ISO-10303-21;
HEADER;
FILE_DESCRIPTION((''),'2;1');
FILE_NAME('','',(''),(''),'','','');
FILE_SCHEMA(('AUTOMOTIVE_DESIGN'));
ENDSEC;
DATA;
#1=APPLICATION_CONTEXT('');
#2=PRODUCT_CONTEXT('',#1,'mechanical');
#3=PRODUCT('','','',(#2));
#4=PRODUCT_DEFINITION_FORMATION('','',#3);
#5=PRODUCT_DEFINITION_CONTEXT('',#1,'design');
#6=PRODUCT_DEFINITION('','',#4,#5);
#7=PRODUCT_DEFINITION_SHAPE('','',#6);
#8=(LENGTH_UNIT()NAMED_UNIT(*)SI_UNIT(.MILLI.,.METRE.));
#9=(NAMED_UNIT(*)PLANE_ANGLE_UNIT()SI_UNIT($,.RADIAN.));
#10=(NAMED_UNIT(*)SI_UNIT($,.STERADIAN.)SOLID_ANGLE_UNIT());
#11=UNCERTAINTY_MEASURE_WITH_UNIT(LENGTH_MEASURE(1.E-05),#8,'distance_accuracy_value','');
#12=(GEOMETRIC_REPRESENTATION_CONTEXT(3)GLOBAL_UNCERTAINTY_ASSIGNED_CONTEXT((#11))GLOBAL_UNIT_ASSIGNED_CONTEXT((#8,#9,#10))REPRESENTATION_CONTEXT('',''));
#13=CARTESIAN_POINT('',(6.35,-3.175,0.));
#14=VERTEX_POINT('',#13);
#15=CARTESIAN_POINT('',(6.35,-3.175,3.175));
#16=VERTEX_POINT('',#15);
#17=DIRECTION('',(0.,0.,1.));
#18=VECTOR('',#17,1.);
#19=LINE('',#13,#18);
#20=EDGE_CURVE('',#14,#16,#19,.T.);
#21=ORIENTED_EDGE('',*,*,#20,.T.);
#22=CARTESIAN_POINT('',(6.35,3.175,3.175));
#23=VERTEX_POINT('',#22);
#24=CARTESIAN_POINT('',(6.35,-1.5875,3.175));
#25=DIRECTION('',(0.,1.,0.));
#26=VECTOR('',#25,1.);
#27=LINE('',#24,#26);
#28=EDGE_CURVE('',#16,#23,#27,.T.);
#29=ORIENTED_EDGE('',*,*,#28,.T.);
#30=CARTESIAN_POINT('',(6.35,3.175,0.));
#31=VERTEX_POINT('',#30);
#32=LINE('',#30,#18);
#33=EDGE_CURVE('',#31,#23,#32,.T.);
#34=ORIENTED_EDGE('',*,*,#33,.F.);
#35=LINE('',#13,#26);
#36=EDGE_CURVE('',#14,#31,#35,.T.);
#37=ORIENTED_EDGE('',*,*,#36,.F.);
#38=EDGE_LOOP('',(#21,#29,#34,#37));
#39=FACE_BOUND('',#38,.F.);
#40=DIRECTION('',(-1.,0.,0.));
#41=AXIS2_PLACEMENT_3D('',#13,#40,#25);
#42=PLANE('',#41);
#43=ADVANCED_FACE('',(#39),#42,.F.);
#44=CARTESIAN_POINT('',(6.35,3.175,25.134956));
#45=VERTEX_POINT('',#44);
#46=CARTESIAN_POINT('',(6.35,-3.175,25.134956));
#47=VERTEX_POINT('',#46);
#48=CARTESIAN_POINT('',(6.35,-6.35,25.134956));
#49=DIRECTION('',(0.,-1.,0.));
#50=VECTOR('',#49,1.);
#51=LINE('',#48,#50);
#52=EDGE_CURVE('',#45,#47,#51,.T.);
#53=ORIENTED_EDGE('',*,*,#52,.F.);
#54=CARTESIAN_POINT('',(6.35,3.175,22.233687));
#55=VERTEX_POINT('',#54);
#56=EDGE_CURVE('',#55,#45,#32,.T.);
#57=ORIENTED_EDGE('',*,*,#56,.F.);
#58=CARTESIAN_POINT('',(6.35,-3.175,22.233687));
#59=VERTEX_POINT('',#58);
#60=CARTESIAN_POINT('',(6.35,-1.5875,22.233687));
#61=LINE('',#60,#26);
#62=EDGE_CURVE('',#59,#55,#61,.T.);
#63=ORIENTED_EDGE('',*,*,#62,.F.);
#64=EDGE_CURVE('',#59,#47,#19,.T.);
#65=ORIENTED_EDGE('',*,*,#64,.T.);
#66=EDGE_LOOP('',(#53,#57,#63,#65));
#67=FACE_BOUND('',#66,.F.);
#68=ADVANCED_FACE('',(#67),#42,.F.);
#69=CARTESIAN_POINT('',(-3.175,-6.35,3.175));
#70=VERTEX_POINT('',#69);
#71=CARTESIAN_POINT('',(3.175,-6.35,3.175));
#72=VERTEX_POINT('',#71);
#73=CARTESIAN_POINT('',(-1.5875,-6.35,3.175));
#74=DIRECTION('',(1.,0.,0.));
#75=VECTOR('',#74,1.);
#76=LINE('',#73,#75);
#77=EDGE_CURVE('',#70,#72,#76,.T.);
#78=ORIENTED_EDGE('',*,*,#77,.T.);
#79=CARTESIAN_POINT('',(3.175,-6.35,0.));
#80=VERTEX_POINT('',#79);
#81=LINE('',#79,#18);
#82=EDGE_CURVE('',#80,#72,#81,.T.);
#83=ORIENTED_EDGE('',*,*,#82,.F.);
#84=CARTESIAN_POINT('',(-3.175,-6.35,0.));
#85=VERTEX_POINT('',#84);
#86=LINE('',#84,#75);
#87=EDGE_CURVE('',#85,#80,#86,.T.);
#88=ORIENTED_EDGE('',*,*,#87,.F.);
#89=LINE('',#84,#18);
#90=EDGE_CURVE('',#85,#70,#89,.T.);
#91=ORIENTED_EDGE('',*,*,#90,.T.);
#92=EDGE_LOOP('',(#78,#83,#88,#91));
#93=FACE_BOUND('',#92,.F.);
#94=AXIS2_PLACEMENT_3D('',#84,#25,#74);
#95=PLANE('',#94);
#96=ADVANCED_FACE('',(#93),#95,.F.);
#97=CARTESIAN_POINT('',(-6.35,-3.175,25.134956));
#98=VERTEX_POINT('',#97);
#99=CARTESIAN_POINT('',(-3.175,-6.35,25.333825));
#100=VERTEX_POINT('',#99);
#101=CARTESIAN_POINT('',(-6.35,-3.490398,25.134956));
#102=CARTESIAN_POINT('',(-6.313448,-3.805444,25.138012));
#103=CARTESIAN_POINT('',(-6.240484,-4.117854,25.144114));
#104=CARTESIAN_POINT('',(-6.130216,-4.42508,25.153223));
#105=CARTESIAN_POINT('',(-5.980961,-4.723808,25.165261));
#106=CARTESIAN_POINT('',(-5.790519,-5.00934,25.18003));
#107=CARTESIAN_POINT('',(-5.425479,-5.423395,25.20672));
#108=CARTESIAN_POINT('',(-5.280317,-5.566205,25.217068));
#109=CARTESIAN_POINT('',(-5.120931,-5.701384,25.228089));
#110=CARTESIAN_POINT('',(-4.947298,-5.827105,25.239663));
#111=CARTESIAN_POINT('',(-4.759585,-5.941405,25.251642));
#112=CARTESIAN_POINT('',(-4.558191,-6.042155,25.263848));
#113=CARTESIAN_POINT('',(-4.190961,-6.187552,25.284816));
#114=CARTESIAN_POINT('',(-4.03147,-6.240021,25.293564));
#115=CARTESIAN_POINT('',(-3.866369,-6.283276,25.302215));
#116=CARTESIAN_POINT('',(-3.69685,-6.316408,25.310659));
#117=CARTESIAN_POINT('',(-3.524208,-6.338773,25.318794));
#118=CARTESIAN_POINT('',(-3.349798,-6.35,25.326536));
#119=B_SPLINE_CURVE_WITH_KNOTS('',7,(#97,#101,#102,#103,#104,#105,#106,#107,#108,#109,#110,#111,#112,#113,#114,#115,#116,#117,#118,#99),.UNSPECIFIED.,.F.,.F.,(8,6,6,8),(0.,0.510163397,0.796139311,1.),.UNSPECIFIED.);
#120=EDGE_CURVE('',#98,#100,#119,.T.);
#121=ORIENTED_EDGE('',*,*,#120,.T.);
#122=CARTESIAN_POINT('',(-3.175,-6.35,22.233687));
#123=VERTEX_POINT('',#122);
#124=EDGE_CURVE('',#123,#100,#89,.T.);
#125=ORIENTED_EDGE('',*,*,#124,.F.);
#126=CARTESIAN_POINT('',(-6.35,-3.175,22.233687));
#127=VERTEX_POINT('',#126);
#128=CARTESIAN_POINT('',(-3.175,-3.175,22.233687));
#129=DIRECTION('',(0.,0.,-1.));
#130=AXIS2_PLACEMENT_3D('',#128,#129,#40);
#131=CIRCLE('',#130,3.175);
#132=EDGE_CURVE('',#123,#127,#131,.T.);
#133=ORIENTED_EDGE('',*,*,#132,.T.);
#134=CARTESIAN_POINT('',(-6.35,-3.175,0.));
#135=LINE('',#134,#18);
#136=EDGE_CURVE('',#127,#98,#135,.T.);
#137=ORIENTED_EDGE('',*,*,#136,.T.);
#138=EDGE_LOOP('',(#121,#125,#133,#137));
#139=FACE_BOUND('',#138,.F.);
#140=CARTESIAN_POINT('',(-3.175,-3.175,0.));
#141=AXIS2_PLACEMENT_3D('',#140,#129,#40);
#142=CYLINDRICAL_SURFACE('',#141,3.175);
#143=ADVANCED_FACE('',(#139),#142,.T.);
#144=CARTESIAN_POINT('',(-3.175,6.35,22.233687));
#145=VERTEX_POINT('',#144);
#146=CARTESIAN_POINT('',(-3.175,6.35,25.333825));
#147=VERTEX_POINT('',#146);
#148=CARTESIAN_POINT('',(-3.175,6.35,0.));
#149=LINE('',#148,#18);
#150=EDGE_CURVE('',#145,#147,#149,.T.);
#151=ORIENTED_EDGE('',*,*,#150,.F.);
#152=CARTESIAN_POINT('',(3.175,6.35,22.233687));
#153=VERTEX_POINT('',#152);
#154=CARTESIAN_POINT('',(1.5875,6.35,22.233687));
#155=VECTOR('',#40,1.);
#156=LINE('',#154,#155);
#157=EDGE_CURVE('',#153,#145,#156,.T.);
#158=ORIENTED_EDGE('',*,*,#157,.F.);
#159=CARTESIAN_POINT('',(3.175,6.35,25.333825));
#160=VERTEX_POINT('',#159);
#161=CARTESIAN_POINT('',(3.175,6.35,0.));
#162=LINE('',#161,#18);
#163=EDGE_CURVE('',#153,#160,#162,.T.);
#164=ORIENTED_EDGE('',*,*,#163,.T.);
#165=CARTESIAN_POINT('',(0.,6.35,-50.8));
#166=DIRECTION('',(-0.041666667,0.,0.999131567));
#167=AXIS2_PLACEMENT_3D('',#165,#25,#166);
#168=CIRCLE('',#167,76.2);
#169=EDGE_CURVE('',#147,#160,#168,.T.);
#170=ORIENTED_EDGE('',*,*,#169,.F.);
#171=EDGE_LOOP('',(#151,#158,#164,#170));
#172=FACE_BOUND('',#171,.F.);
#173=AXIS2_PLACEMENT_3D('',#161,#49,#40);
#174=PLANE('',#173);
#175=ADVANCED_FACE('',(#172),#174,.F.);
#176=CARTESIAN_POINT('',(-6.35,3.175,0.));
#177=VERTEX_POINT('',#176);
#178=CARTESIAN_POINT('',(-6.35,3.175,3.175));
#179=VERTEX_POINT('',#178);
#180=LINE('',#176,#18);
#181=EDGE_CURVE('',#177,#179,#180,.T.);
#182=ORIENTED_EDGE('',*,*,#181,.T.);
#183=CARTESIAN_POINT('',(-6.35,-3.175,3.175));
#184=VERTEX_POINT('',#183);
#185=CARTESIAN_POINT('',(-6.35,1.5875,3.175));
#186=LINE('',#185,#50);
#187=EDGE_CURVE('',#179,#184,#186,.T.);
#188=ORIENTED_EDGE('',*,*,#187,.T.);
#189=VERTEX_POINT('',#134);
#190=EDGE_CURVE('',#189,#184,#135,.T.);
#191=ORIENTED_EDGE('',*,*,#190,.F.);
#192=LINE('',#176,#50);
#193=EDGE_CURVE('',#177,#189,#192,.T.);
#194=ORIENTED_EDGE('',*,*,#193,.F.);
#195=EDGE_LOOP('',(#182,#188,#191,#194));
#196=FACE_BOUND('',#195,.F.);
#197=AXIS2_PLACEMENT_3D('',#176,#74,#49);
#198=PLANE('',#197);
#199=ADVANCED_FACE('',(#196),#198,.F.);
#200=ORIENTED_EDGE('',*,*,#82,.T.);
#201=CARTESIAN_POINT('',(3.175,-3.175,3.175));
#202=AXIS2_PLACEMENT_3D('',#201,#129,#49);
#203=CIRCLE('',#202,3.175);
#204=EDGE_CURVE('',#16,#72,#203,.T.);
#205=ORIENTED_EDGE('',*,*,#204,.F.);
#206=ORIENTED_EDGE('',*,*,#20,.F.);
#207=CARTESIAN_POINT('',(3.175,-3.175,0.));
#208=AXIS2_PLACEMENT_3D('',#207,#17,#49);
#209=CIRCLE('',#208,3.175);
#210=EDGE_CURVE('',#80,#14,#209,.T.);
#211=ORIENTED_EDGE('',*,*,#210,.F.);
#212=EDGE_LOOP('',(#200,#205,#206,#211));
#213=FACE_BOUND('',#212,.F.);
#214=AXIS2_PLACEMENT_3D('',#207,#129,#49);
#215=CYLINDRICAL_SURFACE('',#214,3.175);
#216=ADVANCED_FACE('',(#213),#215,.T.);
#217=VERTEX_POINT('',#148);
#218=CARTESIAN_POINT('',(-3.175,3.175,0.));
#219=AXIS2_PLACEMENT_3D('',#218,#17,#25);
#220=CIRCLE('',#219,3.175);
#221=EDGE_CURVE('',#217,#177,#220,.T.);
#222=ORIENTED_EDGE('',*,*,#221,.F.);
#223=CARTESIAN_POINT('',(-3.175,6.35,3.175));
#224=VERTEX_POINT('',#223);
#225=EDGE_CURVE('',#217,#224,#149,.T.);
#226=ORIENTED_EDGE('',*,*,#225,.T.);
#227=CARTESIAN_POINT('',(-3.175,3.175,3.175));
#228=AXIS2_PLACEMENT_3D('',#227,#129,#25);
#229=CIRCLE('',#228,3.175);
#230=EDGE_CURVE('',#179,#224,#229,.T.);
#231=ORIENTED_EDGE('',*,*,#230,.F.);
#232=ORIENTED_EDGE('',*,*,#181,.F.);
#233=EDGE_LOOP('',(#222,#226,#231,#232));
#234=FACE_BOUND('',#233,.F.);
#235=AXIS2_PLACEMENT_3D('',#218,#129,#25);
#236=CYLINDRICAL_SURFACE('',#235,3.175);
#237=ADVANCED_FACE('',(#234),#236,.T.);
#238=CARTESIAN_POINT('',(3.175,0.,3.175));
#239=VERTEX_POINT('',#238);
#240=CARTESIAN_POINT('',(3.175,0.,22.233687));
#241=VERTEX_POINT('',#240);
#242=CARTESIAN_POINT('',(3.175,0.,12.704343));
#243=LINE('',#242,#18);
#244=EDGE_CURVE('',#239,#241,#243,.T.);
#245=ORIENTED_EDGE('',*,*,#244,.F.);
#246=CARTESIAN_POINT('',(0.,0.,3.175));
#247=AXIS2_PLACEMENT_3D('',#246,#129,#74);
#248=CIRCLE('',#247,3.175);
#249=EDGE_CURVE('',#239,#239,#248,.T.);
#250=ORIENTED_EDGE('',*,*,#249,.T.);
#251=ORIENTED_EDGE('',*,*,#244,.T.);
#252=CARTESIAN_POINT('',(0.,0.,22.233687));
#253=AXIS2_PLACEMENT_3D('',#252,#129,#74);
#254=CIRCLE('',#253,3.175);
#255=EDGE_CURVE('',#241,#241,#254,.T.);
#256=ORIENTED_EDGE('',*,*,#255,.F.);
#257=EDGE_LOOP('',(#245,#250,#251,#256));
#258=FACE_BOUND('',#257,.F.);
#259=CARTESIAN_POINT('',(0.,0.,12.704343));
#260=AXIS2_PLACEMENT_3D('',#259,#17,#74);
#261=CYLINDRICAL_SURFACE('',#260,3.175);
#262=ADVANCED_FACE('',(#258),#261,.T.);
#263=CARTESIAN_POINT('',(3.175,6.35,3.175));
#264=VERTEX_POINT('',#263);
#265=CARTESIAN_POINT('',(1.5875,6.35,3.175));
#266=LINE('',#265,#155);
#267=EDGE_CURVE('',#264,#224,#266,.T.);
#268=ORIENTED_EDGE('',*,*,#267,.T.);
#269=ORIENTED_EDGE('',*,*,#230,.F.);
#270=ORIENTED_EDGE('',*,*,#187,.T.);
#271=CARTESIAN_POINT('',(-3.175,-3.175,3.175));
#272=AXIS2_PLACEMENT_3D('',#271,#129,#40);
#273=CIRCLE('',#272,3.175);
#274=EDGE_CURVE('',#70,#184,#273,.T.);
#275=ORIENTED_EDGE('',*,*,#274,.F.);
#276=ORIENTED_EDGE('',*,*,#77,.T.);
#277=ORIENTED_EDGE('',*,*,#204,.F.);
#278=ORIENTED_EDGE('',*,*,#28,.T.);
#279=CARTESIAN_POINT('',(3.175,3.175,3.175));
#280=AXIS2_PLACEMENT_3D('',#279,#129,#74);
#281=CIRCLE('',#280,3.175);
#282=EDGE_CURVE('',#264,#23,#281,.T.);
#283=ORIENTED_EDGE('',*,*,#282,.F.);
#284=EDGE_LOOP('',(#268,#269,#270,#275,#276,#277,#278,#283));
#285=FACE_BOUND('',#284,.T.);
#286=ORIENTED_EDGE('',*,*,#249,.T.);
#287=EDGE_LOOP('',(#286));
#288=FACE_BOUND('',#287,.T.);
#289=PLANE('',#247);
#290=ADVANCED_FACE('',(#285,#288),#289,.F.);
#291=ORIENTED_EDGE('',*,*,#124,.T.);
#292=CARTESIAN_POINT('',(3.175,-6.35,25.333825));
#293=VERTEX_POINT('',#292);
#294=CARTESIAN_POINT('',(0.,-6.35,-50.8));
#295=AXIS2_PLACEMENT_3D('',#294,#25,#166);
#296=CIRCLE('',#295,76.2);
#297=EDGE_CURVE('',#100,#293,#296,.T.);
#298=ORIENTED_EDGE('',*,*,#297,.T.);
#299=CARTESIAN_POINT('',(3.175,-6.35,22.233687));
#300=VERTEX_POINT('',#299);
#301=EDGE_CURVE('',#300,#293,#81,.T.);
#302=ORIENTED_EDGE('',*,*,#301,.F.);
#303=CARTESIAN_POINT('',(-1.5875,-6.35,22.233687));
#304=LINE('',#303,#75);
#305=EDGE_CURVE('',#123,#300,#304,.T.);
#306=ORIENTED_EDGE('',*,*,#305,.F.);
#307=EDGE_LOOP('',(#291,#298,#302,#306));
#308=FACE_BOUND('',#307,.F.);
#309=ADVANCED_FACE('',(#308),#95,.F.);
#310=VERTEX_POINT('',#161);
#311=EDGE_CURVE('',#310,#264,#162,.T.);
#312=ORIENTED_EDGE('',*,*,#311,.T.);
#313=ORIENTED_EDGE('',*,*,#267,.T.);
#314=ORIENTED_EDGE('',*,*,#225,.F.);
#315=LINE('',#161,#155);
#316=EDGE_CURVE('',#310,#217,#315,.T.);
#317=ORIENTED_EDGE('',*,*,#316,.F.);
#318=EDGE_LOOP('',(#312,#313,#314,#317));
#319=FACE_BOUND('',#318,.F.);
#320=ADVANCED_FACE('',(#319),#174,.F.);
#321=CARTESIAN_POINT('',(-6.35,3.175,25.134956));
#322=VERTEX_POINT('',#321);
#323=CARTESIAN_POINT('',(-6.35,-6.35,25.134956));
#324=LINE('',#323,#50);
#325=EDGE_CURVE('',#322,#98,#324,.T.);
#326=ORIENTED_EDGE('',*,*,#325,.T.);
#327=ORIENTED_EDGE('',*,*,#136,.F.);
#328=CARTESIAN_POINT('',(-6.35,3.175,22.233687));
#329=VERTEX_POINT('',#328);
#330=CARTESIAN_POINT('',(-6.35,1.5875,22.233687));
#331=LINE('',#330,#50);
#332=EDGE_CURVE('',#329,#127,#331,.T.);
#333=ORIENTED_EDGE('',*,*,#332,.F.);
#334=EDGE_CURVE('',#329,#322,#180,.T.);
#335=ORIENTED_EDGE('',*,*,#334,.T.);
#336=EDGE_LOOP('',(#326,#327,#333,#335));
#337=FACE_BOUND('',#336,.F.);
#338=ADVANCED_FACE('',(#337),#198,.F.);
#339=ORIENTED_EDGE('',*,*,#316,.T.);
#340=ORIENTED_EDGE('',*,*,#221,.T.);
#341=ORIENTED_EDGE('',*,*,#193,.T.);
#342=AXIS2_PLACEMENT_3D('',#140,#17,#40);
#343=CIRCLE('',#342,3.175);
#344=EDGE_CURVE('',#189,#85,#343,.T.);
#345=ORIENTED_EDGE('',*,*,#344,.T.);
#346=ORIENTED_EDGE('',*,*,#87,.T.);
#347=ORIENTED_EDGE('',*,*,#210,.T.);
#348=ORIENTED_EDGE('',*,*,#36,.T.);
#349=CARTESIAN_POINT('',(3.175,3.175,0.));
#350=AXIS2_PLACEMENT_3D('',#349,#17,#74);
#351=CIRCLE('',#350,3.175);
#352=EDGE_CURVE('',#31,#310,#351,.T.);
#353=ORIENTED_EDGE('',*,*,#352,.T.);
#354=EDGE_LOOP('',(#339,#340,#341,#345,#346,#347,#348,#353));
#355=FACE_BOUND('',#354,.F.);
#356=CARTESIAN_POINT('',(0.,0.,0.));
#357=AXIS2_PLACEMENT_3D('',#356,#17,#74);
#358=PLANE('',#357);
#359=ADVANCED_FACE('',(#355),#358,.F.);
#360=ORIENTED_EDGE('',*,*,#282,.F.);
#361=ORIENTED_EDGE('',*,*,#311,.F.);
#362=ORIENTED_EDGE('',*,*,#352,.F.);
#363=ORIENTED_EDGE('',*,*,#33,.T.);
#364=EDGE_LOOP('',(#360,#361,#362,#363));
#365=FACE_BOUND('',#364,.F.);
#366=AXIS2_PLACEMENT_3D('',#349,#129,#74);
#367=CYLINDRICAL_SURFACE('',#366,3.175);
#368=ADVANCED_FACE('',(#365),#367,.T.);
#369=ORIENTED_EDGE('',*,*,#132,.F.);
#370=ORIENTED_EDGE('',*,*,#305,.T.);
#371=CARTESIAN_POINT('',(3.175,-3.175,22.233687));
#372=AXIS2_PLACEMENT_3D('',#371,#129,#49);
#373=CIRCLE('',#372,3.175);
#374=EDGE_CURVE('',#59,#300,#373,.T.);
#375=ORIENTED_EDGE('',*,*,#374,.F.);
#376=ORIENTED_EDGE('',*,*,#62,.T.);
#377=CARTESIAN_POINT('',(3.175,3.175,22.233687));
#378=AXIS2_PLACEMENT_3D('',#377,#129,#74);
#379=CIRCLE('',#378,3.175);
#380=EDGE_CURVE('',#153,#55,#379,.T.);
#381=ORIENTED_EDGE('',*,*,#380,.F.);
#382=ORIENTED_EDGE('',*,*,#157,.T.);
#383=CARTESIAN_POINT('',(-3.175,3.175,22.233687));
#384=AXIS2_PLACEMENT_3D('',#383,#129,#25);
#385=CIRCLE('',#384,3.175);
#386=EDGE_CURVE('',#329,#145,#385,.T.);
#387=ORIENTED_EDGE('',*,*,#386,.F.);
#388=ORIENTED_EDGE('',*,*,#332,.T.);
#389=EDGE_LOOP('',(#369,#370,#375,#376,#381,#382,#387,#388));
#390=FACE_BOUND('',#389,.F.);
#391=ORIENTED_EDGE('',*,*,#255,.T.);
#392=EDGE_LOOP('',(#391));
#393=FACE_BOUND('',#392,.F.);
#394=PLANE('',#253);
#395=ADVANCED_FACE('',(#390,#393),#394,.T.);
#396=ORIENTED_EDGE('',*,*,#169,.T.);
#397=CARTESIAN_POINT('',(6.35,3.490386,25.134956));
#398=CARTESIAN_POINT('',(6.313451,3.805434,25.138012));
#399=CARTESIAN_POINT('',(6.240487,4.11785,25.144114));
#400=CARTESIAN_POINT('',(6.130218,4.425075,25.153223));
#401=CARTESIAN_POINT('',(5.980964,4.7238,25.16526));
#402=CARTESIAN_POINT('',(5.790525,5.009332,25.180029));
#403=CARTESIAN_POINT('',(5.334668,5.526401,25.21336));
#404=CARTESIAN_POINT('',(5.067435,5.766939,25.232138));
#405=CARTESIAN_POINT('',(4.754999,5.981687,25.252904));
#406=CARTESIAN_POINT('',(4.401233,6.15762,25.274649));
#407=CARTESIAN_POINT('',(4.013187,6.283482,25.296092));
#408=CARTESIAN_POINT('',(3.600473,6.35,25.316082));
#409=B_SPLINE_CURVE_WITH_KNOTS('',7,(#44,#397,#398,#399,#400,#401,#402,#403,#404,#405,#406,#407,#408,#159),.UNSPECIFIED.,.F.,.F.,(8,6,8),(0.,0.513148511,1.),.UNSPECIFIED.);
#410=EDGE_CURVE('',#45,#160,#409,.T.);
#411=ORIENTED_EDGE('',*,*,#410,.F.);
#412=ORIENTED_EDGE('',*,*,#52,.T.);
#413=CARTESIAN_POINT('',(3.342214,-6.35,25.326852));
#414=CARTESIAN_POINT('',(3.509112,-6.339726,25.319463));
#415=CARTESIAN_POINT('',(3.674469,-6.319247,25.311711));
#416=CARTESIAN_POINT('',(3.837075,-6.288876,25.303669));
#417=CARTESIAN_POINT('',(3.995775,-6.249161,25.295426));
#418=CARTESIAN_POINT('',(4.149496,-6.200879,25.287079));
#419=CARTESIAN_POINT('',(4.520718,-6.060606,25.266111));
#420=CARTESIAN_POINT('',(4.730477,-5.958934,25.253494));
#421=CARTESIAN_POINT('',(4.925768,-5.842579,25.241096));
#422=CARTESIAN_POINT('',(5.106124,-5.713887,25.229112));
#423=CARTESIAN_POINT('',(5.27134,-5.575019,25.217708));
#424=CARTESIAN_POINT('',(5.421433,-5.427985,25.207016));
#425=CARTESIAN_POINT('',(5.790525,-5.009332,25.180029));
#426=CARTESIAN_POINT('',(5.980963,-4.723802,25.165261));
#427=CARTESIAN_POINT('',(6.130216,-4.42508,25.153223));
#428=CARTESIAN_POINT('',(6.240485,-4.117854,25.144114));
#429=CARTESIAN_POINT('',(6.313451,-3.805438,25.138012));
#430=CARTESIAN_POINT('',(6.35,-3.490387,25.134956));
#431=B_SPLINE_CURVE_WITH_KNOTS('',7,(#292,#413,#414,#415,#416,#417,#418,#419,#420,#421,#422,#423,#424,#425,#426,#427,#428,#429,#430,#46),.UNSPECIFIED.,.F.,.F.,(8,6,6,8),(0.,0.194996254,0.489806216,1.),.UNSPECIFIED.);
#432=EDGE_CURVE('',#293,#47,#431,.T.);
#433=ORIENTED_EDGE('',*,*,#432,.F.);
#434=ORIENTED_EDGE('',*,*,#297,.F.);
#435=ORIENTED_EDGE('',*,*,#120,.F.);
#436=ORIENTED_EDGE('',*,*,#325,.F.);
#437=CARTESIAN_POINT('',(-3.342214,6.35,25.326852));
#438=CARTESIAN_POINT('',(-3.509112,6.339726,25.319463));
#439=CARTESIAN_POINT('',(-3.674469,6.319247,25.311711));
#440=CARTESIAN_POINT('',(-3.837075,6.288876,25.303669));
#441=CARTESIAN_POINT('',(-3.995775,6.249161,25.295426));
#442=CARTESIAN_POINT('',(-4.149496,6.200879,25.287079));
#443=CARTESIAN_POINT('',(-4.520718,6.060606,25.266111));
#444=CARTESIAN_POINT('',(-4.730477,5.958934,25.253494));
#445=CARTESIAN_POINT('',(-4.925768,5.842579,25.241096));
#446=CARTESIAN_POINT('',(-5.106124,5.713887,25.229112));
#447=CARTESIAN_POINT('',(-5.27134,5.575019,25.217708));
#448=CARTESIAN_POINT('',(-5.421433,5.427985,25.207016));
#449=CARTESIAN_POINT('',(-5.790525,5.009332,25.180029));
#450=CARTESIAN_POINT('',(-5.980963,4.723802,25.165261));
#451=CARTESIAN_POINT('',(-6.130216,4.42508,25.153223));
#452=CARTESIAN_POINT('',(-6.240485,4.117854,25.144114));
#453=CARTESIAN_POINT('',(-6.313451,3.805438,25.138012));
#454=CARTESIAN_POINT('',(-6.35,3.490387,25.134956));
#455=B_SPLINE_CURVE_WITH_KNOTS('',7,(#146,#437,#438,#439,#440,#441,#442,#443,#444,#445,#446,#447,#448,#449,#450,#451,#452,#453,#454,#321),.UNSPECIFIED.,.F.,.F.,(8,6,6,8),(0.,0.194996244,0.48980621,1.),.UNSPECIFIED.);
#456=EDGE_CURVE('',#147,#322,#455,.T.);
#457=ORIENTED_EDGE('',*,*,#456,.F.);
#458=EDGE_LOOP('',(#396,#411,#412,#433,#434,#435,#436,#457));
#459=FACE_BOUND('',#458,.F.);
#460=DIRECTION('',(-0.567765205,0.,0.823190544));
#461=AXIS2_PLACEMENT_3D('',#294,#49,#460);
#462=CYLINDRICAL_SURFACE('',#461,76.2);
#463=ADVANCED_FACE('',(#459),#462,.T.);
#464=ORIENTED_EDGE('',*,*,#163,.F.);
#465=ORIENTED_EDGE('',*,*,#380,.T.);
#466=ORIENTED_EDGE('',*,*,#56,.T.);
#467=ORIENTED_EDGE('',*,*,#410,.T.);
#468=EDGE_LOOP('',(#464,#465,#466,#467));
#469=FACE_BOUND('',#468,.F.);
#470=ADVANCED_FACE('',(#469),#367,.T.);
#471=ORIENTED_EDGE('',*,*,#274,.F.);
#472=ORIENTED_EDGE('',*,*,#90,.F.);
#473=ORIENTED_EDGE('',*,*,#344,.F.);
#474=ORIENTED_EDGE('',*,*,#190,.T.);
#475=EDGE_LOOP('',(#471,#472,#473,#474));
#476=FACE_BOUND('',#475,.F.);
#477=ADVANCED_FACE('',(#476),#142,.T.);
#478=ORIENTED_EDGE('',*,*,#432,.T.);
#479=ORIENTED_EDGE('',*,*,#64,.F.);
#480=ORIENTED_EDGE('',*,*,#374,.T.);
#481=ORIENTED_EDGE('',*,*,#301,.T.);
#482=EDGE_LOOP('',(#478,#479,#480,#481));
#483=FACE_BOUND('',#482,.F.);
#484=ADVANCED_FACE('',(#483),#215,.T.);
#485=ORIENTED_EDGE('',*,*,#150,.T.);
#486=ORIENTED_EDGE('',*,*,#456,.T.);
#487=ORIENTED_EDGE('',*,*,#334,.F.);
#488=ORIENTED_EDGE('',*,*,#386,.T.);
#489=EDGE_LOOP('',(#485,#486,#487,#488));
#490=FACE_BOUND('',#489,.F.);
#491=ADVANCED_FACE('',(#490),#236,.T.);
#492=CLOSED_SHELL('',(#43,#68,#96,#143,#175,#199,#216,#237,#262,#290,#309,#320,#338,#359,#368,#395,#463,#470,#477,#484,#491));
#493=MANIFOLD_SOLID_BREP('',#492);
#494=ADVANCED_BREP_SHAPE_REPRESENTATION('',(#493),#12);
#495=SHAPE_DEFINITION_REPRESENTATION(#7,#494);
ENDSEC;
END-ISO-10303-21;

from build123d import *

# Parameters (mm, degrees)
F1_DEPTH = 25.4
F4_DEPTH = 25.4
F5_R     = 50.8
F6_DEPTH = 25.4
F7_W     = 11.8262093864
F7_H     = 19.0586867377


with BuildPart() as f1:
    # F0 (on Top) → F1 (new body)
    with BuildSketch(Plane.XY):
        with BuildLine():
            ThreePointArc((6.35, 3.175), (5.4200640303, 5.4200640303), (3.175, 6.35))
            Line((3.175, 6.35), (-3.175, 6.35))
            ThreePointArc((-3.175, 6.35), (-5.4200640303, 5.4200640303), (-6.35, 3.175))
            Line((-6.35, 3.175), (-6.35, -3.175))
            ThreePointArc((-6.35, -3.175), (-5.4200640303, -5.4200640303), (-3.175, -6.35))
            Line((-3.175, -6.35), (3.175, -6.35))
            ThreePointArc((3.175, -6.35), (5.4200640303, -5.4200640303), (6.35, -3.175))
            Line((6.35, -3.175), (6.35, 3.175))
        make_face()
    extrude(amount=F1_DEPTH)

    # F3 (on offset) → F4 (cut)
    with BuildSketch(Plane.XZ.offset(6.35)):
        with BuildLine():
            ThreePointArc((-43.2637086009, 11.9271194787), (1.858689826, 25.3773278091), (46.2714276243, 9.7425056106))
            Line((46.2714276243, 9.7425056106), (46.1867414415, 53.5595417023))
            Line((46.1867414415, 53.5595417023), (-43.2637086009, 53.5595417023))
            Line((-43.2637086009, 53.5595417023), (-43.2637086009, 11.9271194787))
        make_face()
    extrude(amount=-F4_DEPTH, mode=Mode.SUBTRACT)

    # F5 (on offset) → F6 (cut)
    with BuildSketch(Plane.XZ.offset(6.35)):
        with Locations((0, -50.8)):
            Circle(F5_R)
    extrude(amount=-F6_DEPTH, mode=Mode.SUBTRACT)

    # F7 (on Front) → F8 (revolve, cut)
    with BuildSketch(Plane.XZ):
        with Locations((9.0881046932, 12.7043433689)):
            Rectangle(F7_W, F7_H)
    revolve(axis=Axis((0, 0, 19.7457969189), (0, 0, -1)), mode=Mode.SUBTRACT)


solid = f1.part
